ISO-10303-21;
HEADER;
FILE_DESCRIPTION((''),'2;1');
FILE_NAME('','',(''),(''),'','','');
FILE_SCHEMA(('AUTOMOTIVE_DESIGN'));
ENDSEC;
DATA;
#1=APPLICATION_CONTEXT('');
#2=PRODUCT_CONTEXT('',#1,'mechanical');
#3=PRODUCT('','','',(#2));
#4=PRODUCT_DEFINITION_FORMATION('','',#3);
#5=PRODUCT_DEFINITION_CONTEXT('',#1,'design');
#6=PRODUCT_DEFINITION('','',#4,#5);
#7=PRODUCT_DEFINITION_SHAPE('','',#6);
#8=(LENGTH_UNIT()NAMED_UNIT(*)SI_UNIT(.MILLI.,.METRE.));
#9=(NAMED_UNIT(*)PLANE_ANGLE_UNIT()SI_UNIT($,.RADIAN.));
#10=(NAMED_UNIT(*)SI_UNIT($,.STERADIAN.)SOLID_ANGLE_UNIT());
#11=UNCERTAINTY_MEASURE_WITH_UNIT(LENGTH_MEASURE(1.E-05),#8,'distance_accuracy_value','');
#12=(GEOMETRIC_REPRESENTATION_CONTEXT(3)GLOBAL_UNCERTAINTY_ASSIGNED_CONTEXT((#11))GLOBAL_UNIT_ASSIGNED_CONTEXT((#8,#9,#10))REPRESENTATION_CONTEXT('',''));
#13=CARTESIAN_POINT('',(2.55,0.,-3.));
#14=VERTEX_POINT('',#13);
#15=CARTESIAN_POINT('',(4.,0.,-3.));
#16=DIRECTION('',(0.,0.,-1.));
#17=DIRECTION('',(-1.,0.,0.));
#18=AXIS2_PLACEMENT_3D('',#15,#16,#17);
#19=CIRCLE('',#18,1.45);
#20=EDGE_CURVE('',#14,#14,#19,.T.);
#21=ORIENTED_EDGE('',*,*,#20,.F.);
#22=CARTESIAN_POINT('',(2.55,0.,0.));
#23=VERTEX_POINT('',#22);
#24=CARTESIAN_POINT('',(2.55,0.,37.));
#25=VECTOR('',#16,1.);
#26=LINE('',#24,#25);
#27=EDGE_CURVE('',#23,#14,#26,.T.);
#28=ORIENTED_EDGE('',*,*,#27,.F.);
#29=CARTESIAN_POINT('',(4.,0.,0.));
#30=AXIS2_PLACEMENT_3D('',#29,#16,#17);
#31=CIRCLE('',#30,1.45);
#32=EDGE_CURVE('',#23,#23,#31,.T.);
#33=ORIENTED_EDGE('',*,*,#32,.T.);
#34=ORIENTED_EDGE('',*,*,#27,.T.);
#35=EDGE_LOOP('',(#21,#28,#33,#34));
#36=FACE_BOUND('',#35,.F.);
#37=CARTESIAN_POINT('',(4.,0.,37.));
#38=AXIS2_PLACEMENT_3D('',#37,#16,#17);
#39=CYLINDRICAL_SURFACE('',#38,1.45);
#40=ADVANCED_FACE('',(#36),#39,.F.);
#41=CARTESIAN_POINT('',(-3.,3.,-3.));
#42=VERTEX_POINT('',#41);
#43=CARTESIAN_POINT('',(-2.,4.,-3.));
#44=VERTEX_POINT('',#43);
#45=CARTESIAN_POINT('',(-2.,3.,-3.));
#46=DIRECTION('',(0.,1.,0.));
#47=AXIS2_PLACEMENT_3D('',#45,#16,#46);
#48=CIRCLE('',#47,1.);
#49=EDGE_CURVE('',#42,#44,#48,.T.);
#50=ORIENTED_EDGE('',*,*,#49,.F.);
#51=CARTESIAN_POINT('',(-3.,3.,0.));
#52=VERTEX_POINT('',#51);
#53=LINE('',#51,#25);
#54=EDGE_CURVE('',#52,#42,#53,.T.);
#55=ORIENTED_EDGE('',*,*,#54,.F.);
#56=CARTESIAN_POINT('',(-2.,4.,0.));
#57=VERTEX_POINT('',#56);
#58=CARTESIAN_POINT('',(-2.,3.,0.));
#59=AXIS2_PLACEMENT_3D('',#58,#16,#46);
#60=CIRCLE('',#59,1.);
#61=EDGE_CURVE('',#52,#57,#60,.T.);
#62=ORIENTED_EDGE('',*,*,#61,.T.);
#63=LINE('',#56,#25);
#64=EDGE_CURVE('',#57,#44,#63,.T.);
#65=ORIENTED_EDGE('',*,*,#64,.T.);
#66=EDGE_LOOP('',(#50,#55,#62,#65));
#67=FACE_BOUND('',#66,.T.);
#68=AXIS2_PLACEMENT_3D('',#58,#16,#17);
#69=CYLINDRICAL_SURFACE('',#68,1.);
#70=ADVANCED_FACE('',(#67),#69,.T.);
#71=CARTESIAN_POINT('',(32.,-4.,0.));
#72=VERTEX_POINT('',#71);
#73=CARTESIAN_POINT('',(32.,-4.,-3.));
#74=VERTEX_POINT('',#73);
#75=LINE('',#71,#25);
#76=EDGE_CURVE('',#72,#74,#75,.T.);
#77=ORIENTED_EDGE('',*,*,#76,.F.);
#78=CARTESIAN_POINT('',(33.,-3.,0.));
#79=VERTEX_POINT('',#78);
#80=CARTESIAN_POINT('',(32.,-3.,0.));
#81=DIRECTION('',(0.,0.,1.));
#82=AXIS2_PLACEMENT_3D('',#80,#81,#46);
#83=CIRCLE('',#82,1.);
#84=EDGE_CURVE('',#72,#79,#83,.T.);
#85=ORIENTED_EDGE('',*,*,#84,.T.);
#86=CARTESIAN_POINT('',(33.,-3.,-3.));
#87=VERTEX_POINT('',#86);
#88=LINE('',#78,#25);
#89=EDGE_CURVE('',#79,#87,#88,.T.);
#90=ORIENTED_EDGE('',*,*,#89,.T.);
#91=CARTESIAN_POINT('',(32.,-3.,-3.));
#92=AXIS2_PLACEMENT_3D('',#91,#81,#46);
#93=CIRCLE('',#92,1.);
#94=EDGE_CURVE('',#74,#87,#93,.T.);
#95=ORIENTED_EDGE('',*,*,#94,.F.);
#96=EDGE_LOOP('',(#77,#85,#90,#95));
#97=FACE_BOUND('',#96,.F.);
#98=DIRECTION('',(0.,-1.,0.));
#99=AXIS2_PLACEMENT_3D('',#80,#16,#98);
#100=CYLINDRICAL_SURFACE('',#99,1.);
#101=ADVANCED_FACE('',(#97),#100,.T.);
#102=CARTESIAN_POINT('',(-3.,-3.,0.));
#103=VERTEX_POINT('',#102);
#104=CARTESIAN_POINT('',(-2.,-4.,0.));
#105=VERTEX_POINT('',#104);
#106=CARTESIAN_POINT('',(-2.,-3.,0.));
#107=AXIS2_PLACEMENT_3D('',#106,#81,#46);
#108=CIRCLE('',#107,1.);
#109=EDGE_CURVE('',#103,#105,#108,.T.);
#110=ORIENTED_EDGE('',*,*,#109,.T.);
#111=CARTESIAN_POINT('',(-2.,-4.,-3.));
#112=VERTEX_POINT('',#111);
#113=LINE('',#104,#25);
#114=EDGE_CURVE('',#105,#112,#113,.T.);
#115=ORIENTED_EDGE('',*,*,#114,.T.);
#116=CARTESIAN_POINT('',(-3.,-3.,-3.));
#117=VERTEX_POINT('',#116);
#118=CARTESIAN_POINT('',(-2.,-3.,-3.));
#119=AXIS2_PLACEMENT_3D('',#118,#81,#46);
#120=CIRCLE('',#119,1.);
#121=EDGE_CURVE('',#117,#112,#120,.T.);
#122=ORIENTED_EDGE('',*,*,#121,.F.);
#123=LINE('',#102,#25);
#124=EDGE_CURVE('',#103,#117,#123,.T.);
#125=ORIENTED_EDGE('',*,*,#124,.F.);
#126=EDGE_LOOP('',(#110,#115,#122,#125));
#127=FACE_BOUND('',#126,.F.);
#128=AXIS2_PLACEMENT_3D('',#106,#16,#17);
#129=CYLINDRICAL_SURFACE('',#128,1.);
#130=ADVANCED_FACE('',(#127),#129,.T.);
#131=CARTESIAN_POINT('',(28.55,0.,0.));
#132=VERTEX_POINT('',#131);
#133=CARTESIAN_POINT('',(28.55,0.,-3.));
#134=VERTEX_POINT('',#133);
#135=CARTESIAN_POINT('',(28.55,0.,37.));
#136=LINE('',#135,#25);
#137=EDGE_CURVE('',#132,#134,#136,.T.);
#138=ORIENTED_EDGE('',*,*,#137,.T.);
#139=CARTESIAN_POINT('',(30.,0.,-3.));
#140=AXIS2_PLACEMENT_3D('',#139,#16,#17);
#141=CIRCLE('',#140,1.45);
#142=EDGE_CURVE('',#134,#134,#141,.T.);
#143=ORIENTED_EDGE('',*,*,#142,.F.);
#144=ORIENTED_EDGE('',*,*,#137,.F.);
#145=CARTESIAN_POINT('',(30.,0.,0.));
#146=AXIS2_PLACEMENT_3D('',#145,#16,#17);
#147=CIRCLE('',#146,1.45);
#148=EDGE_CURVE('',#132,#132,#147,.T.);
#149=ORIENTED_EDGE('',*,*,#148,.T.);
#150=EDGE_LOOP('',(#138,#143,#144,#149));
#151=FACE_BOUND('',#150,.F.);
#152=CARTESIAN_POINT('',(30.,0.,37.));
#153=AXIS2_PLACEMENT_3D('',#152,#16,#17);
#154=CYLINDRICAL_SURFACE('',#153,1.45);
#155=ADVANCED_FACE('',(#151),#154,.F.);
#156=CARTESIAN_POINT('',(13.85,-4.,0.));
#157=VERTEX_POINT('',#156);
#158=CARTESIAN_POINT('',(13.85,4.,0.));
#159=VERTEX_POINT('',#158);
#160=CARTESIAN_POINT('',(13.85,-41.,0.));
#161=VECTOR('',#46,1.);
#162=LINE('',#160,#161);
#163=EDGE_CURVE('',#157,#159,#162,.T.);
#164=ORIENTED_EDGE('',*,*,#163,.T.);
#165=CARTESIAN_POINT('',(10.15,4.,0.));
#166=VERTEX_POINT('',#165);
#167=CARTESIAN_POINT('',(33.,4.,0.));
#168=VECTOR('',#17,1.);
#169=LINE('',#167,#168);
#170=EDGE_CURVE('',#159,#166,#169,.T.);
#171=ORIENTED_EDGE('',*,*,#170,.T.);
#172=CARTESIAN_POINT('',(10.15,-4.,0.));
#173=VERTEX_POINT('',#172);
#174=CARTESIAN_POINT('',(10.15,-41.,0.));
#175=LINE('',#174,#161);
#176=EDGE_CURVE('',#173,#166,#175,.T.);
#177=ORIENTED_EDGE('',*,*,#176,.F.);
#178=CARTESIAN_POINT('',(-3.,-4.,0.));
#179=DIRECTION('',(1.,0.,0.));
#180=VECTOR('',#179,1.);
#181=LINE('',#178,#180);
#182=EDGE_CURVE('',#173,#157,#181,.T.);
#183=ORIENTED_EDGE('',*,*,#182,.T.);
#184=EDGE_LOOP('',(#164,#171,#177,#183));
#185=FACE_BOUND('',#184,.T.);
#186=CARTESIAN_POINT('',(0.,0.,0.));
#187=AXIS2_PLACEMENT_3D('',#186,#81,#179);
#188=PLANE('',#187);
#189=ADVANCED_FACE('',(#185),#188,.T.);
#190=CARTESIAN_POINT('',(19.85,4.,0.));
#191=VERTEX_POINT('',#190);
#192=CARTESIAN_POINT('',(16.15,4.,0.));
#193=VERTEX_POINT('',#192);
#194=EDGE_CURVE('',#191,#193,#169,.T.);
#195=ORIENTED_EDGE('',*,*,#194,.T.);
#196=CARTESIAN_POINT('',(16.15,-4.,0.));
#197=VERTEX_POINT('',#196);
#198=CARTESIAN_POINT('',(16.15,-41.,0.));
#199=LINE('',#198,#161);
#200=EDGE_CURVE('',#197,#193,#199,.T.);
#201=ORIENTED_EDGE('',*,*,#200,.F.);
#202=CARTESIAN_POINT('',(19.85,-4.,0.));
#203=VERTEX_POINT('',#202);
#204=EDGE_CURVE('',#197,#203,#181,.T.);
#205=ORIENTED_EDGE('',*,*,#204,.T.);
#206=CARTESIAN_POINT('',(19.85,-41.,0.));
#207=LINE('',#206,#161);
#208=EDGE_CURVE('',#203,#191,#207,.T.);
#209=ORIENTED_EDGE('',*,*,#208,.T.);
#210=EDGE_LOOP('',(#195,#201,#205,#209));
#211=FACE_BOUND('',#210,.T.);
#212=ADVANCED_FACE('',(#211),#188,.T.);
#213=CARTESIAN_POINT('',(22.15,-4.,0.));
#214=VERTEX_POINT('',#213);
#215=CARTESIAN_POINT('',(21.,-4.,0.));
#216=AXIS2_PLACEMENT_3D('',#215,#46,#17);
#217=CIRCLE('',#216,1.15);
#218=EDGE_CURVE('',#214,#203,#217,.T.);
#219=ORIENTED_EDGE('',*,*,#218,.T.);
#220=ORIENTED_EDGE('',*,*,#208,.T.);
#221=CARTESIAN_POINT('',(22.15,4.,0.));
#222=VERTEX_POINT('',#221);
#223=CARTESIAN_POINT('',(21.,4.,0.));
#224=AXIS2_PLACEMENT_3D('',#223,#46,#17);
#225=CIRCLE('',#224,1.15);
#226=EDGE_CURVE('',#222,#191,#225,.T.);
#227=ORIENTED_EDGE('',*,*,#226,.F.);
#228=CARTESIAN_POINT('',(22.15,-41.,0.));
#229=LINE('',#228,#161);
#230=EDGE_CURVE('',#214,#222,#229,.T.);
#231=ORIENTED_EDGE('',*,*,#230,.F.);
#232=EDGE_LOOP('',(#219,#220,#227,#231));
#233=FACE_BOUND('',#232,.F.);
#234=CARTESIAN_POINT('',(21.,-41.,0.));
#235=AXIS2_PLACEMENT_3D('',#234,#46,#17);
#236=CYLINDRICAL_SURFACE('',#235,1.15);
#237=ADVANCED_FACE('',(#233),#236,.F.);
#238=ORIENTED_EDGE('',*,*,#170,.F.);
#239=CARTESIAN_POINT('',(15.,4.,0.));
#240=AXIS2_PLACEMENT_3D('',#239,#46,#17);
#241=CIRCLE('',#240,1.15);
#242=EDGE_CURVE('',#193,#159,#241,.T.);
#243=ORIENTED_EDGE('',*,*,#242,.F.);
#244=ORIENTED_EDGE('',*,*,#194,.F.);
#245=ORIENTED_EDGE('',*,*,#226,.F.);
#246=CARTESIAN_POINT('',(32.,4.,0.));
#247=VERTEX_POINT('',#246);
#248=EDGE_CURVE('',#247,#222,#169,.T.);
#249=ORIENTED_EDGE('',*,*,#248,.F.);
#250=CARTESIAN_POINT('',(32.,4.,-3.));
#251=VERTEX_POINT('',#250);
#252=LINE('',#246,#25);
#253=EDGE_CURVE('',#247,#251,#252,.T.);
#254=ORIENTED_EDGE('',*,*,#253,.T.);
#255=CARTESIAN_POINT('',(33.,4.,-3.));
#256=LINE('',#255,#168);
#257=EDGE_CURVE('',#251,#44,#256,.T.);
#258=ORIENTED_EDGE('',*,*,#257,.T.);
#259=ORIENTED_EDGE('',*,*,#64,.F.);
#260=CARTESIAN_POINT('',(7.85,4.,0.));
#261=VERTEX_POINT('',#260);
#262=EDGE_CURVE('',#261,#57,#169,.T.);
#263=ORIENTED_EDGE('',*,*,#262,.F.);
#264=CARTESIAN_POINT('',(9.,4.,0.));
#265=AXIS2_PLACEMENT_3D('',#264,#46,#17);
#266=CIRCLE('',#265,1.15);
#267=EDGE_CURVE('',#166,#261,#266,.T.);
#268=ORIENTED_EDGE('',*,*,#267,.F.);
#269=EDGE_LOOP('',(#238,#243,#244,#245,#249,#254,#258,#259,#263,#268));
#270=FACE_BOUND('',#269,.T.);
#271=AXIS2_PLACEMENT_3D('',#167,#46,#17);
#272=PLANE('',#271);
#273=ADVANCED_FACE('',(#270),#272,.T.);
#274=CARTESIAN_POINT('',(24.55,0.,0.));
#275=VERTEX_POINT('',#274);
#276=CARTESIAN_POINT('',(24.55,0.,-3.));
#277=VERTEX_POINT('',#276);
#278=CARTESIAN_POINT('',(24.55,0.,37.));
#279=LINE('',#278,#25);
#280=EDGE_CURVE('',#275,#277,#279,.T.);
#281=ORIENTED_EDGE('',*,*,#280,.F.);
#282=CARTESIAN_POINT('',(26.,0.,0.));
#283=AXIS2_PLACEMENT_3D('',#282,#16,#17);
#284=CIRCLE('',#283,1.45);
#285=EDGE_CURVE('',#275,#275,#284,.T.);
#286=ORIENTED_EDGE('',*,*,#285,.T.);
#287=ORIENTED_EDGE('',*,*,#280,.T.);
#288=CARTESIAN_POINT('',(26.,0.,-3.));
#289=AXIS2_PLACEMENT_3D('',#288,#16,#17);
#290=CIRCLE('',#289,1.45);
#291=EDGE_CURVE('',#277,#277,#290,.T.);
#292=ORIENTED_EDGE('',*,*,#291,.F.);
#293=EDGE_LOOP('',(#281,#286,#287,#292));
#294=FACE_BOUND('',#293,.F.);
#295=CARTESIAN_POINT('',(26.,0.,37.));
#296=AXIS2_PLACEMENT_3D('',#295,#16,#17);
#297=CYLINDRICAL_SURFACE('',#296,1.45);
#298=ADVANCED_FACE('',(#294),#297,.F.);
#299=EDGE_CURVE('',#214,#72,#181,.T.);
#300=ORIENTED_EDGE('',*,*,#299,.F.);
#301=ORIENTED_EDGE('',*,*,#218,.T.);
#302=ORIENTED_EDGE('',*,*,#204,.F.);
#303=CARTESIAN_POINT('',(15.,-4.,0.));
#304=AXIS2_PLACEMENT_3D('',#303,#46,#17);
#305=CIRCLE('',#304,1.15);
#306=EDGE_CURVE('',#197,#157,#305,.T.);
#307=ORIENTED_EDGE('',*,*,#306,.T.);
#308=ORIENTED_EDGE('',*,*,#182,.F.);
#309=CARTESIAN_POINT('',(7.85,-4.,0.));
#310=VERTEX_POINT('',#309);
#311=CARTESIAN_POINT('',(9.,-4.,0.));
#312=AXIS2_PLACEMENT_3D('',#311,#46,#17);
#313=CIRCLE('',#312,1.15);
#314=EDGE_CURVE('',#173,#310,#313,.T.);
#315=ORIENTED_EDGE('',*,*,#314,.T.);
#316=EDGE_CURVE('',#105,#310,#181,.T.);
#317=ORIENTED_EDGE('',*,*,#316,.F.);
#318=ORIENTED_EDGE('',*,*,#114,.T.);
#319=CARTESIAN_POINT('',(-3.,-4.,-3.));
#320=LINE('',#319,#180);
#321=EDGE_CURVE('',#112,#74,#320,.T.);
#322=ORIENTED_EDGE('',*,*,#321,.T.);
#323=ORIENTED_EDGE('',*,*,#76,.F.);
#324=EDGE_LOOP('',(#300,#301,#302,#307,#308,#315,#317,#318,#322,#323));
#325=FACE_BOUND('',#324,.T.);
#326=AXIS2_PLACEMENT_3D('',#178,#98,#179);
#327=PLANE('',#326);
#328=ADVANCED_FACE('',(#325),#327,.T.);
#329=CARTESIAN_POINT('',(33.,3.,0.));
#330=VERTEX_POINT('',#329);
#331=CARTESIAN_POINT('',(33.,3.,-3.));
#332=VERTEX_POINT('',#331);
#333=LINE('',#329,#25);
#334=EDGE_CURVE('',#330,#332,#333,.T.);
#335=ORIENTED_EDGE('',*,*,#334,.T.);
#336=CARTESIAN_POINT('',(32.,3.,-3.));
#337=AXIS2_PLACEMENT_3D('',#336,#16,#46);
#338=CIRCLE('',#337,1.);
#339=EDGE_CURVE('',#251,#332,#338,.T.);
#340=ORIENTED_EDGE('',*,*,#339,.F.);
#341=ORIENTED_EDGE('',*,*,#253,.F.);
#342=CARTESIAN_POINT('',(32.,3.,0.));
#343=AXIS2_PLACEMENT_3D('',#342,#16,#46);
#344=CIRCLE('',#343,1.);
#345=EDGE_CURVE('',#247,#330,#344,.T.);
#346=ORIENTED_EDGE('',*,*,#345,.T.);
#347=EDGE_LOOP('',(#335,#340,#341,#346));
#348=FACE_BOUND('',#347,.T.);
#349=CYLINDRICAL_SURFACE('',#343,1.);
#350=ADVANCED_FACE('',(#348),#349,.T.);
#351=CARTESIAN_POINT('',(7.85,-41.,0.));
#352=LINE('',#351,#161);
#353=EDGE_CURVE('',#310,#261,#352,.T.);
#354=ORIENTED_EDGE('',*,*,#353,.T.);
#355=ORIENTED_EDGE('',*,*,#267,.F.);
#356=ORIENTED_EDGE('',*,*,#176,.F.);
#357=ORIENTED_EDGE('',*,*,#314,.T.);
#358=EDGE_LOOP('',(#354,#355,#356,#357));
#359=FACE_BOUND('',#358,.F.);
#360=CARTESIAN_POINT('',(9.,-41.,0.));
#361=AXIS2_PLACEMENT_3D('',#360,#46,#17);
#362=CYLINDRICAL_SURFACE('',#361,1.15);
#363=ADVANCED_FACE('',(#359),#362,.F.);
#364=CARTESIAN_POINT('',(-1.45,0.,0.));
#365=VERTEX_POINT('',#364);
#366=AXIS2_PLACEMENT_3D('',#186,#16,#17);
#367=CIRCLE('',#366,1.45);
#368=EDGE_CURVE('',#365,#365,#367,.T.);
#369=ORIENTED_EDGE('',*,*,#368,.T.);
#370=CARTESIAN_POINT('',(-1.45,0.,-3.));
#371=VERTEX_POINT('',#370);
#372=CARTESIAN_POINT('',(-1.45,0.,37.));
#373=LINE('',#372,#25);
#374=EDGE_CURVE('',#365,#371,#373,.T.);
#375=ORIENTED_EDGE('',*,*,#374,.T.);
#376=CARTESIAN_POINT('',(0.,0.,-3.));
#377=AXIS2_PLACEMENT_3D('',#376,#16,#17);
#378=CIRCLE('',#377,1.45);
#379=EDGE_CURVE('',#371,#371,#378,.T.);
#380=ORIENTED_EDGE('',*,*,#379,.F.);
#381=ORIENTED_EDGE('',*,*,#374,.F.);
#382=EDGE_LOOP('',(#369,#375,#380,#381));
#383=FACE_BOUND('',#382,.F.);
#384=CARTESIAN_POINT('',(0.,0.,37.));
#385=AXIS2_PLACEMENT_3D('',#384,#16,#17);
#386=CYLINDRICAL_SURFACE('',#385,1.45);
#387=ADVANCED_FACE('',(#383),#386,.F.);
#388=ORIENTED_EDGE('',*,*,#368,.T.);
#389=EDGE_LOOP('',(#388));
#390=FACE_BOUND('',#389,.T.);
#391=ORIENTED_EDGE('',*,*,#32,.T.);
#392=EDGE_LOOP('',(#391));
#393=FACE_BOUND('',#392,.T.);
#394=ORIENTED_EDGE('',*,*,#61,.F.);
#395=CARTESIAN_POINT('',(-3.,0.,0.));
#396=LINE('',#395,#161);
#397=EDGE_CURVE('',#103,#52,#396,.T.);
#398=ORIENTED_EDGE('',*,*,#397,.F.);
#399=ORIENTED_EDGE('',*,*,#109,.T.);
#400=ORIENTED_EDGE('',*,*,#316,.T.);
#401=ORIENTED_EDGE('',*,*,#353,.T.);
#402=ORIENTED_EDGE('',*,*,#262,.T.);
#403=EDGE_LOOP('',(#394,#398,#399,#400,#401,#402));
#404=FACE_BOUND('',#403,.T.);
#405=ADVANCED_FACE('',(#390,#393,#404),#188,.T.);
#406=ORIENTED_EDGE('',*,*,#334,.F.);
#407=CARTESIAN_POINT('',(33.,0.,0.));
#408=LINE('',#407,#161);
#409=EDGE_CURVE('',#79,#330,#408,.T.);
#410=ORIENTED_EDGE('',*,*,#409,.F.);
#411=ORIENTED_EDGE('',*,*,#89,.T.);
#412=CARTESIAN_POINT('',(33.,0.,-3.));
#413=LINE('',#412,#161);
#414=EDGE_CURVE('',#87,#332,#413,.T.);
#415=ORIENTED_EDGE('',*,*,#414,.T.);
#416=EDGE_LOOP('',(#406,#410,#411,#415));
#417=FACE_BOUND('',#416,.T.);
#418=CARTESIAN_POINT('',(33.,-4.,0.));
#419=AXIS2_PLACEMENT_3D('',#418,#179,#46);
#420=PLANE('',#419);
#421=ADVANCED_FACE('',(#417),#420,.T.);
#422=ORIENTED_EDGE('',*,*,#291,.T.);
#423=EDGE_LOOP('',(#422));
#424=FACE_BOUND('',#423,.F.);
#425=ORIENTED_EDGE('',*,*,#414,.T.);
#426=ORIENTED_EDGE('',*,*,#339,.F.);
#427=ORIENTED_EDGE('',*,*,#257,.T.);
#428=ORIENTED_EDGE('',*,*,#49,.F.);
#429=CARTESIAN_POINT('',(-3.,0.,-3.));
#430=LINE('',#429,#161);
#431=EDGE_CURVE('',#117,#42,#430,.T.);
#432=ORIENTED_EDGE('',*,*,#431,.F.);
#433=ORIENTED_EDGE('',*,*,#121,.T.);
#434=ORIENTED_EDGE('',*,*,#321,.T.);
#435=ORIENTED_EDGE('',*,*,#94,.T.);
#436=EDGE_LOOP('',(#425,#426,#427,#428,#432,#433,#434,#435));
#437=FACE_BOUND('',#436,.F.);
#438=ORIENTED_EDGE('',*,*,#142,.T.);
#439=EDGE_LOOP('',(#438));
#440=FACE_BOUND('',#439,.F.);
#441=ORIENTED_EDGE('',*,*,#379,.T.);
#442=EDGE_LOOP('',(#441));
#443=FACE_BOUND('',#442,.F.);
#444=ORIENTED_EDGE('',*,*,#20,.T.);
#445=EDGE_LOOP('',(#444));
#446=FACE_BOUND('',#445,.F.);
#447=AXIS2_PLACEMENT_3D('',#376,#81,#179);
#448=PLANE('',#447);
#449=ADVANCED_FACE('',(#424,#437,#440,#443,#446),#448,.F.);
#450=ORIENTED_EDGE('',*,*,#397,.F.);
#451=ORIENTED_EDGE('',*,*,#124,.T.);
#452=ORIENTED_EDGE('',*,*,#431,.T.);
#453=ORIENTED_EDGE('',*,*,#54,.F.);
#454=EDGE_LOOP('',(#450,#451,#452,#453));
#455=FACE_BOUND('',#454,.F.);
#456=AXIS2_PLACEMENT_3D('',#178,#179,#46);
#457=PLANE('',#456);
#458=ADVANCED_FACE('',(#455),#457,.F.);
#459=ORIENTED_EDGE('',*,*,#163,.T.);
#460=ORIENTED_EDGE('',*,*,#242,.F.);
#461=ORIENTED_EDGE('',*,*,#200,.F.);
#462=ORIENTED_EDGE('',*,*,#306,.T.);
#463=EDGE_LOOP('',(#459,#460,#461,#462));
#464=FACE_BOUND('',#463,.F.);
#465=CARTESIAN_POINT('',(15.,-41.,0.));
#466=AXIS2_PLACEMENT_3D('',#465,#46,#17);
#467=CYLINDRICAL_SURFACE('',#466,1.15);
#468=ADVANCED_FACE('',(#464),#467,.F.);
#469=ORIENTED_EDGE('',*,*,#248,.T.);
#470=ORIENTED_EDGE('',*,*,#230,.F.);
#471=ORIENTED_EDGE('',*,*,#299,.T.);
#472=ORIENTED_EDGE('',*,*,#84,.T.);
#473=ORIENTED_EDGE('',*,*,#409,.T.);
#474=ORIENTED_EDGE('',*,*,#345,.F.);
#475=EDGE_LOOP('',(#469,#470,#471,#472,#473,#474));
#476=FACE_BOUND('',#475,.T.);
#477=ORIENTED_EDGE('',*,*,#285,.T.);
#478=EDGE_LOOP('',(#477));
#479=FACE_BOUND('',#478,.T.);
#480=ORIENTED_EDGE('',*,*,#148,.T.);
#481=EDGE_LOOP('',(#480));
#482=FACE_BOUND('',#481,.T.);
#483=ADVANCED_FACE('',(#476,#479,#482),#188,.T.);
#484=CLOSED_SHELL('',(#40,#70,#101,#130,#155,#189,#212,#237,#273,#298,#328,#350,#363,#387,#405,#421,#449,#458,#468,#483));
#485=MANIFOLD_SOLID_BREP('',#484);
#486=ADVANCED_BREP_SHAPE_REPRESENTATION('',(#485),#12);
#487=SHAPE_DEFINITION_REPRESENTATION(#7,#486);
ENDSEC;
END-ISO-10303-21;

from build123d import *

# Parameters (mm, degrees)
F0_W     = 6
F0_H     = 8
F0_W_2   = 24
F1_DEPTH = 3
F2_D     = 2.9
F4_D     = 2.3
F5_R     = 1


with BuildPart() as f1:
    # F0 (on Top) → F1 (new body)
    with BuildSketch(Plane.XY):
        Rectangle(F0_W, F0_H)
        with Locations((15, 0)):
            Rectangle(F0_W_2, F0_H)
        with Locations((30, 0)):
            Rectangle(F0_W, F0_H)
    extrude(amount=-F1_DEPTH)

    # F2 (through all)
    with Locations(Plane.XY):
        with Locations((0, 0), (4, 0), (26, 0), (30, 0)):
            Hole(F2_D / 2)

    # F4 (through all)
    with Locations(Plane.XZ.offset(4)):
        with Locations((9, 0), (21, 0), (15, 0)):
            Hole(F4_D / 2)

    # F5
    f5_edges = [f1.edges().sort_by_distance(p)[0] for p in [
        (-3, -4, -1.5),
        (33, -4, -1.5),
        (33, 4, -1.5),
        (-3, 4, -1.5),
    ]]
    fillet(f5_edges, radius=F5_R)


solid = f1.part
